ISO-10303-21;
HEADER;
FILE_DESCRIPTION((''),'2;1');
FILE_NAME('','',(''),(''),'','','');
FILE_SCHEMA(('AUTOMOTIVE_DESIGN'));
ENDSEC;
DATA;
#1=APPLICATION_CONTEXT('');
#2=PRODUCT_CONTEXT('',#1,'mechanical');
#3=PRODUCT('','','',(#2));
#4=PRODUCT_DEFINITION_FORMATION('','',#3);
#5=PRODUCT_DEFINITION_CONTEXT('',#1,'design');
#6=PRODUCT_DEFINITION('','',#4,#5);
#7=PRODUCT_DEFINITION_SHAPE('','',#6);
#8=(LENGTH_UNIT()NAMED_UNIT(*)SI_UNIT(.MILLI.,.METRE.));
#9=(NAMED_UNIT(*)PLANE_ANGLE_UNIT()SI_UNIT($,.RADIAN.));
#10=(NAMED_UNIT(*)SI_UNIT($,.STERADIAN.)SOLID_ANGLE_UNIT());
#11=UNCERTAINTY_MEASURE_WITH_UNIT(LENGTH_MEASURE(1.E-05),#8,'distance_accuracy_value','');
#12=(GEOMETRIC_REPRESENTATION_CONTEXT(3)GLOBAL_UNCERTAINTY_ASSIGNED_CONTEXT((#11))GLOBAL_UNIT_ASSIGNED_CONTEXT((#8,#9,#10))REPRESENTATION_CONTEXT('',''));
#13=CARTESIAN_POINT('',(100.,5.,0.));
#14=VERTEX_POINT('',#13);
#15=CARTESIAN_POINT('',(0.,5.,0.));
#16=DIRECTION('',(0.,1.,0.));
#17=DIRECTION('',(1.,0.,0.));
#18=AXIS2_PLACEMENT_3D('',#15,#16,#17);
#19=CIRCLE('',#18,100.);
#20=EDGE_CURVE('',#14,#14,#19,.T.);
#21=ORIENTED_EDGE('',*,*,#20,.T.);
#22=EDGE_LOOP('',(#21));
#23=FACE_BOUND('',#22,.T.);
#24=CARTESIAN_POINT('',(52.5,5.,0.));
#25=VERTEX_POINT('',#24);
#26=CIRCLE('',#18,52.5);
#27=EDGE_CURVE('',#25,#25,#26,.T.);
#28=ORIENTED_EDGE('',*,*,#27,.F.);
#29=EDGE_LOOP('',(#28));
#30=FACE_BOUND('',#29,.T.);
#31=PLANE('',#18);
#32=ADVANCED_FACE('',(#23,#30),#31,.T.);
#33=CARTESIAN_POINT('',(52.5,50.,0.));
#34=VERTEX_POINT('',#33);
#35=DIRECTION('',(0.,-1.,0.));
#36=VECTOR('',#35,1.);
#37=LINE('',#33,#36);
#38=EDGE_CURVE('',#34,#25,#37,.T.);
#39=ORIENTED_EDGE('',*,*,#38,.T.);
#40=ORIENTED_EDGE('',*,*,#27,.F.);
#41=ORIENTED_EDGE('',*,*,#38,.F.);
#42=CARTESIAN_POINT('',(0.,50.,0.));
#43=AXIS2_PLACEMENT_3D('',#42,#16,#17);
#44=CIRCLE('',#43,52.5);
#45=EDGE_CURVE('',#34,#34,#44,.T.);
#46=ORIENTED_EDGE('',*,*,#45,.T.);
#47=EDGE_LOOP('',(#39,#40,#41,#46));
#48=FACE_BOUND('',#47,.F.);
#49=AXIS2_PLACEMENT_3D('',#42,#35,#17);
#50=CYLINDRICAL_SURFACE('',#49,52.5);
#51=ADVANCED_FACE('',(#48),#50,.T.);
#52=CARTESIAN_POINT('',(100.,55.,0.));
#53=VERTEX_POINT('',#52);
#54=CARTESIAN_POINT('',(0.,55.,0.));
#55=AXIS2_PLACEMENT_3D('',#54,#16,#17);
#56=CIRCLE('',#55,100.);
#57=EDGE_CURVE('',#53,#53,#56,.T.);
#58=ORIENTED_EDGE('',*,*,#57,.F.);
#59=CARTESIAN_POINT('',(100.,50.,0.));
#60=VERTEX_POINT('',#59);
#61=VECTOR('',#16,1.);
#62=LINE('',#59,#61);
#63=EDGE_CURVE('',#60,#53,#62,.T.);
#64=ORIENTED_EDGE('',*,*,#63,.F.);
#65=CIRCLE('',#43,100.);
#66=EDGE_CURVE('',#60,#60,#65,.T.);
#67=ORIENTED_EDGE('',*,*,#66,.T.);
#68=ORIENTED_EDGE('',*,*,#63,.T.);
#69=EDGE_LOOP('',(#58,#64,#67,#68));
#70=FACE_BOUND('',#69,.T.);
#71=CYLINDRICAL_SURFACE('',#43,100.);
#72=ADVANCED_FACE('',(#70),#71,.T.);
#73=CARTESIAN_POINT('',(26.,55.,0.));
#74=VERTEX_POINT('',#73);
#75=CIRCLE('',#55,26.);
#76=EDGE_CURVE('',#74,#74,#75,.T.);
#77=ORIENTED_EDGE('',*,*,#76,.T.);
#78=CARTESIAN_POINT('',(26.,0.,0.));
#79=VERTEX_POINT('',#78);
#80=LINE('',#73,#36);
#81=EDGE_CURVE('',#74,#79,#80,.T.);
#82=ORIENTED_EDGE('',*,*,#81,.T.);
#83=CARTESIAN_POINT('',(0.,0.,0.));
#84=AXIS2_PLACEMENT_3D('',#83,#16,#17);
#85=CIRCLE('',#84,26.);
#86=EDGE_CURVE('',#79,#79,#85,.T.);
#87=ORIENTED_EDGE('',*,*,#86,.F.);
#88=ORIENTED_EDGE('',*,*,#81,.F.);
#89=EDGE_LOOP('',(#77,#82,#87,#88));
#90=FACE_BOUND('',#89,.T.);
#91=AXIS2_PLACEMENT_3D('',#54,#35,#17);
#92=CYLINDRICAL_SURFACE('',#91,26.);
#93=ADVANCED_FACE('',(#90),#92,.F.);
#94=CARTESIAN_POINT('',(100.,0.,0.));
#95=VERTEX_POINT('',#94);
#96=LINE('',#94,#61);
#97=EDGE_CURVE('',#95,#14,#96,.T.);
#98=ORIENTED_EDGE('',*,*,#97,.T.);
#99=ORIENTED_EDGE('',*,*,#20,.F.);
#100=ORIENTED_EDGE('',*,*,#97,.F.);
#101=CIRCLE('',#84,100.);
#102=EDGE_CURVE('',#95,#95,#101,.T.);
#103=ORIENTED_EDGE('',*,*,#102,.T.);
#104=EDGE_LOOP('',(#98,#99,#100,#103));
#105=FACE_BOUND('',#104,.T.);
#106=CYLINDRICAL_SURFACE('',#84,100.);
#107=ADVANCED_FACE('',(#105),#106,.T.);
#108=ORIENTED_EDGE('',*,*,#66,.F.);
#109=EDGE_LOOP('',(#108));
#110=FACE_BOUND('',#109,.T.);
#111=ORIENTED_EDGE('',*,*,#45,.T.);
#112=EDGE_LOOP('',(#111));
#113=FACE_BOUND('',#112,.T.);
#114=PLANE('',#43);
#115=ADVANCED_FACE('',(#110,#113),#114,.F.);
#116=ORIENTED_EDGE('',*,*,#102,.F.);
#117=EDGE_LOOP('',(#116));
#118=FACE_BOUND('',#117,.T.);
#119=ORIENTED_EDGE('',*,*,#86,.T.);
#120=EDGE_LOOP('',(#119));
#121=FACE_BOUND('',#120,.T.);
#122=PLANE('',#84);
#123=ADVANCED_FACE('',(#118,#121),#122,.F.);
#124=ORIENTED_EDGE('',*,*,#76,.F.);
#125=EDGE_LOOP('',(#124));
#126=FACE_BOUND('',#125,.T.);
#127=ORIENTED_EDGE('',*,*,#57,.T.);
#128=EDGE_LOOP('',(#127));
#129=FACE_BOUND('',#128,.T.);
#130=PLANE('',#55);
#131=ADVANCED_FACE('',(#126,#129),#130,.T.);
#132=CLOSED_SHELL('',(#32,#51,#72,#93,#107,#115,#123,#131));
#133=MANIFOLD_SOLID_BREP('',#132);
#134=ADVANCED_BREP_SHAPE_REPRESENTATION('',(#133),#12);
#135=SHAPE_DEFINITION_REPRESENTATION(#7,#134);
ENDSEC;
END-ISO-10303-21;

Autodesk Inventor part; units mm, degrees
ref_plane "YZ Plane" through (0, 0, 0) normal (1, 0, 0) x (0, 1, 0)
ref_plane "XZ Plane" through (0, 0, 0) normal (0, 1, 0) x (-1, 0, 0)
ref_plane "XY Plane" through (0, 0, 0) normal (0, 0, 1) x (1, 0, 0)
sketch "Sketch1" plane through (0, 0, 0) normal (0, 0, 1) x (1, 0, 0)
  line L0 (0, 0) -> (100, 0)
  line L1 (100, 0) -> (100, 5)
  line L2 (100, 5) -> (52.5, 5)
  line L3 (0, 19.2579) -> (0, 78.5591)
  line L4 (52.5, 50) -> (100, 50)
  line L5 (100, 50) -> (100, 55)
  line L6 (100, 55) -> (26, 55)
  line L7 (0, 102.6022) -> (0, 0)
  line L8 (52.5, 50) -> (52.5, 5)
  line L9 (26, 55) -> (26, 0)
  dimension "d0" = 26
  dimension "d1" = 52.5
  dimension "d2" = 100
  dimension "d3" = 45
  dimension "d4" = 55
  dimension "d5" = 5
revolve "Revolution1" add sketch "Sketch1" angle 360 about axis through (0, 19.2579, 0) along (0, 1, 0)
properties part number "Spool Colorfabb"
